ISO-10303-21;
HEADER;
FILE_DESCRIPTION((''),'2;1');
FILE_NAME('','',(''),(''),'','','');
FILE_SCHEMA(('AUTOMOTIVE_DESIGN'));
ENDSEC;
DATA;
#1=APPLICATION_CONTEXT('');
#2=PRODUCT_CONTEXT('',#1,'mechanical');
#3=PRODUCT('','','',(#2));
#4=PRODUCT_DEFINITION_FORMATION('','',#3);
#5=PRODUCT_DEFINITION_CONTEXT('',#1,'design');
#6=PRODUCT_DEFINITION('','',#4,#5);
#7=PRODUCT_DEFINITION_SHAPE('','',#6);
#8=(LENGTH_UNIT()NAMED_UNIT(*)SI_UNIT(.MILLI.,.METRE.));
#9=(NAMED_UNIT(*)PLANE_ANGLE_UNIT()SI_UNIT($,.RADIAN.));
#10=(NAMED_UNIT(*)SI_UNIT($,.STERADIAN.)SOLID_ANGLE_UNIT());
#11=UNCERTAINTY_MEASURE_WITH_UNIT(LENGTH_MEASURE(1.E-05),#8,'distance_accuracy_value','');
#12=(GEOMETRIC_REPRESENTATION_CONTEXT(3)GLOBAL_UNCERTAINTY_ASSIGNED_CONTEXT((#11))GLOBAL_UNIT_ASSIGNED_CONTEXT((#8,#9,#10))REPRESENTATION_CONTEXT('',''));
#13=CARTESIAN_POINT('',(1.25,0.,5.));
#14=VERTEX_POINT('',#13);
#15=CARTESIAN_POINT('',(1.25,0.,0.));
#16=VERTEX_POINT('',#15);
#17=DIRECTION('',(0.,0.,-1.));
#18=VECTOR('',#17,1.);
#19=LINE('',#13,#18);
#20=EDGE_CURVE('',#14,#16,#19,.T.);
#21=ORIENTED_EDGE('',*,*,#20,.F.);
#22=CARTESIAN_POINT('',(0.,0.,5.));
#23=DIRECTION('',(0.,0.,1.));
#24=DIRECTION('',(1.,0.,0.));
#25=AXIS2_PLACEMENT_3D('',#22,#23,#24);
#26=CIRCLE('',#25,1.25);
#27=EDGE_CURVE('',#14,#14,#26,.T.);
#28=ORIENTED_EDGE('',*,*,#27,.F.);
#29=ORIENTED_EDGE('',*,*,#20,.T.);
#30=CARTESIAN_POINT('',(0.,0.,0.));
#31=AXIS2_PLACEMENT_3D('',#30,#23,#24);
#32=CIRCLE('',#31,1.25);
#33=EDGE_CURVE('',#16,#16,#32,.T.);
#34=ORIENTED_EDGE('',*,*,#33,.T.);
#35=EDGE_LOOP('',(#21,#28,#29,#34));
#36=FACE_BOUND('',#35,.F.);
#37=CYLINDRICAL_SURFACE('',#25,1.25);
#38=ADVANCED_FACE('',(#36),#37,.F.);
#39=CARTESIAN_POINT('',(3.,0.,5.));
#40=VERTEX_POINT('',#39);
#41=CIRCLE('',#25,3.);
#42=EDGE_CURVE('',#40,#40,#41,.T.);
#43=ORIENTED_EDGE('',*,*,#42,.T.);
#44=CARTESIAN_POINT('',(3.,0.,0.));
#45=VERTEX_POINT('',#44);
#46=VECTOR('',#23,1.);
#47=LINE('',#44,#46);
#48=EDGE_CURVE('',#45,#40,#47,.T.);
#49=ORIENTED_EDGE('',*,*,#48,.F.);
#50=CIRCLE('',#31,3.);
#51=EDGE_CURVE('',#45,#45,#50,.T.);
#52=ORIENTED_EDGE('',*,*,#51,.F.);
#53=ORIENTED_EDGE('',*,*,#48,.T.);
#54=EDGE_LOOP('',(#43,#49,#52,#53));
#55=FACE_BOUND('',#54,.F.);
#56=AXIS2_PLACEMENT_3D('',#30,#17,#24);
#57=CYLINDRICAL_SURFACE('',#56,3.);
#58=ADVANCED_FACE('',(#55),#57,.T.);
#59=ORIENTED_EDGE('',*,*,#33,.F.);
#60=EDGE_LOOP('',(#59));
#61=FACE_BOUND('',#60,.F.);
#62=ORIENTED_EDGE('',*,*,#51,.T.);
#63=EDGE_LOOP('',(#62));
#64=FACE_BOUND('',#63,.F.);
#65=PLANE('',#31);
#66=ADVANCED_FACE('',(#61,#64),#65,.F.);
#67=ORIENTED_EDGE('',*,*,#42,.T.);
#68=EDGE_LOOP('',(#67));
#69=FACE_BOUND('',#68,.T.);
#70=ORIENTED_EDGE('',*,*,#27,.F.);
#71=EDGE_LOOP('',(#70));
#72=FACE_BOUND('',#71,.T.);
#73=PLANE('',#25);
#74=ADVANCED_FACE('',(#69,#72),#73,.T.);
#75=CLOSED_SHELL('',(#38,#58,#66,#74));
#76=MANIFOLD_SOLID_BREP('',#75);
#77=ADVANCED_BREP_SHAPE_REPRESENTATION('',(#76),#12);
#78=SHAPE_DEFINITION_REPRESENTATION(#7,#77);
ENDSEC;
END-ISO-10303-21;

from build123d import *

# Parameters (mm, degrees)
SKETCH_R     = 3
PAD_DEPTH    = 5
SKETCH001_R  = 1.25
POCKET_DEPTH = 8


with BuildPart() as part:
    # Sketch → Pad (new body)
    with BuildSketch(Plane.XY):
        Circle(SKETCH_R)
    extrude(amount=PAD_DEPTH)

    # Sketch001 (on Face3 of Pad) → Pocket (cut)
    with BuildSketch(Plane.XY.offset(5)):
        Circle(SKETCH001_R)
    extrude(amount=-POCKET_DEPTH, mode=Mode.SUBTRACT)


solid = part.part
